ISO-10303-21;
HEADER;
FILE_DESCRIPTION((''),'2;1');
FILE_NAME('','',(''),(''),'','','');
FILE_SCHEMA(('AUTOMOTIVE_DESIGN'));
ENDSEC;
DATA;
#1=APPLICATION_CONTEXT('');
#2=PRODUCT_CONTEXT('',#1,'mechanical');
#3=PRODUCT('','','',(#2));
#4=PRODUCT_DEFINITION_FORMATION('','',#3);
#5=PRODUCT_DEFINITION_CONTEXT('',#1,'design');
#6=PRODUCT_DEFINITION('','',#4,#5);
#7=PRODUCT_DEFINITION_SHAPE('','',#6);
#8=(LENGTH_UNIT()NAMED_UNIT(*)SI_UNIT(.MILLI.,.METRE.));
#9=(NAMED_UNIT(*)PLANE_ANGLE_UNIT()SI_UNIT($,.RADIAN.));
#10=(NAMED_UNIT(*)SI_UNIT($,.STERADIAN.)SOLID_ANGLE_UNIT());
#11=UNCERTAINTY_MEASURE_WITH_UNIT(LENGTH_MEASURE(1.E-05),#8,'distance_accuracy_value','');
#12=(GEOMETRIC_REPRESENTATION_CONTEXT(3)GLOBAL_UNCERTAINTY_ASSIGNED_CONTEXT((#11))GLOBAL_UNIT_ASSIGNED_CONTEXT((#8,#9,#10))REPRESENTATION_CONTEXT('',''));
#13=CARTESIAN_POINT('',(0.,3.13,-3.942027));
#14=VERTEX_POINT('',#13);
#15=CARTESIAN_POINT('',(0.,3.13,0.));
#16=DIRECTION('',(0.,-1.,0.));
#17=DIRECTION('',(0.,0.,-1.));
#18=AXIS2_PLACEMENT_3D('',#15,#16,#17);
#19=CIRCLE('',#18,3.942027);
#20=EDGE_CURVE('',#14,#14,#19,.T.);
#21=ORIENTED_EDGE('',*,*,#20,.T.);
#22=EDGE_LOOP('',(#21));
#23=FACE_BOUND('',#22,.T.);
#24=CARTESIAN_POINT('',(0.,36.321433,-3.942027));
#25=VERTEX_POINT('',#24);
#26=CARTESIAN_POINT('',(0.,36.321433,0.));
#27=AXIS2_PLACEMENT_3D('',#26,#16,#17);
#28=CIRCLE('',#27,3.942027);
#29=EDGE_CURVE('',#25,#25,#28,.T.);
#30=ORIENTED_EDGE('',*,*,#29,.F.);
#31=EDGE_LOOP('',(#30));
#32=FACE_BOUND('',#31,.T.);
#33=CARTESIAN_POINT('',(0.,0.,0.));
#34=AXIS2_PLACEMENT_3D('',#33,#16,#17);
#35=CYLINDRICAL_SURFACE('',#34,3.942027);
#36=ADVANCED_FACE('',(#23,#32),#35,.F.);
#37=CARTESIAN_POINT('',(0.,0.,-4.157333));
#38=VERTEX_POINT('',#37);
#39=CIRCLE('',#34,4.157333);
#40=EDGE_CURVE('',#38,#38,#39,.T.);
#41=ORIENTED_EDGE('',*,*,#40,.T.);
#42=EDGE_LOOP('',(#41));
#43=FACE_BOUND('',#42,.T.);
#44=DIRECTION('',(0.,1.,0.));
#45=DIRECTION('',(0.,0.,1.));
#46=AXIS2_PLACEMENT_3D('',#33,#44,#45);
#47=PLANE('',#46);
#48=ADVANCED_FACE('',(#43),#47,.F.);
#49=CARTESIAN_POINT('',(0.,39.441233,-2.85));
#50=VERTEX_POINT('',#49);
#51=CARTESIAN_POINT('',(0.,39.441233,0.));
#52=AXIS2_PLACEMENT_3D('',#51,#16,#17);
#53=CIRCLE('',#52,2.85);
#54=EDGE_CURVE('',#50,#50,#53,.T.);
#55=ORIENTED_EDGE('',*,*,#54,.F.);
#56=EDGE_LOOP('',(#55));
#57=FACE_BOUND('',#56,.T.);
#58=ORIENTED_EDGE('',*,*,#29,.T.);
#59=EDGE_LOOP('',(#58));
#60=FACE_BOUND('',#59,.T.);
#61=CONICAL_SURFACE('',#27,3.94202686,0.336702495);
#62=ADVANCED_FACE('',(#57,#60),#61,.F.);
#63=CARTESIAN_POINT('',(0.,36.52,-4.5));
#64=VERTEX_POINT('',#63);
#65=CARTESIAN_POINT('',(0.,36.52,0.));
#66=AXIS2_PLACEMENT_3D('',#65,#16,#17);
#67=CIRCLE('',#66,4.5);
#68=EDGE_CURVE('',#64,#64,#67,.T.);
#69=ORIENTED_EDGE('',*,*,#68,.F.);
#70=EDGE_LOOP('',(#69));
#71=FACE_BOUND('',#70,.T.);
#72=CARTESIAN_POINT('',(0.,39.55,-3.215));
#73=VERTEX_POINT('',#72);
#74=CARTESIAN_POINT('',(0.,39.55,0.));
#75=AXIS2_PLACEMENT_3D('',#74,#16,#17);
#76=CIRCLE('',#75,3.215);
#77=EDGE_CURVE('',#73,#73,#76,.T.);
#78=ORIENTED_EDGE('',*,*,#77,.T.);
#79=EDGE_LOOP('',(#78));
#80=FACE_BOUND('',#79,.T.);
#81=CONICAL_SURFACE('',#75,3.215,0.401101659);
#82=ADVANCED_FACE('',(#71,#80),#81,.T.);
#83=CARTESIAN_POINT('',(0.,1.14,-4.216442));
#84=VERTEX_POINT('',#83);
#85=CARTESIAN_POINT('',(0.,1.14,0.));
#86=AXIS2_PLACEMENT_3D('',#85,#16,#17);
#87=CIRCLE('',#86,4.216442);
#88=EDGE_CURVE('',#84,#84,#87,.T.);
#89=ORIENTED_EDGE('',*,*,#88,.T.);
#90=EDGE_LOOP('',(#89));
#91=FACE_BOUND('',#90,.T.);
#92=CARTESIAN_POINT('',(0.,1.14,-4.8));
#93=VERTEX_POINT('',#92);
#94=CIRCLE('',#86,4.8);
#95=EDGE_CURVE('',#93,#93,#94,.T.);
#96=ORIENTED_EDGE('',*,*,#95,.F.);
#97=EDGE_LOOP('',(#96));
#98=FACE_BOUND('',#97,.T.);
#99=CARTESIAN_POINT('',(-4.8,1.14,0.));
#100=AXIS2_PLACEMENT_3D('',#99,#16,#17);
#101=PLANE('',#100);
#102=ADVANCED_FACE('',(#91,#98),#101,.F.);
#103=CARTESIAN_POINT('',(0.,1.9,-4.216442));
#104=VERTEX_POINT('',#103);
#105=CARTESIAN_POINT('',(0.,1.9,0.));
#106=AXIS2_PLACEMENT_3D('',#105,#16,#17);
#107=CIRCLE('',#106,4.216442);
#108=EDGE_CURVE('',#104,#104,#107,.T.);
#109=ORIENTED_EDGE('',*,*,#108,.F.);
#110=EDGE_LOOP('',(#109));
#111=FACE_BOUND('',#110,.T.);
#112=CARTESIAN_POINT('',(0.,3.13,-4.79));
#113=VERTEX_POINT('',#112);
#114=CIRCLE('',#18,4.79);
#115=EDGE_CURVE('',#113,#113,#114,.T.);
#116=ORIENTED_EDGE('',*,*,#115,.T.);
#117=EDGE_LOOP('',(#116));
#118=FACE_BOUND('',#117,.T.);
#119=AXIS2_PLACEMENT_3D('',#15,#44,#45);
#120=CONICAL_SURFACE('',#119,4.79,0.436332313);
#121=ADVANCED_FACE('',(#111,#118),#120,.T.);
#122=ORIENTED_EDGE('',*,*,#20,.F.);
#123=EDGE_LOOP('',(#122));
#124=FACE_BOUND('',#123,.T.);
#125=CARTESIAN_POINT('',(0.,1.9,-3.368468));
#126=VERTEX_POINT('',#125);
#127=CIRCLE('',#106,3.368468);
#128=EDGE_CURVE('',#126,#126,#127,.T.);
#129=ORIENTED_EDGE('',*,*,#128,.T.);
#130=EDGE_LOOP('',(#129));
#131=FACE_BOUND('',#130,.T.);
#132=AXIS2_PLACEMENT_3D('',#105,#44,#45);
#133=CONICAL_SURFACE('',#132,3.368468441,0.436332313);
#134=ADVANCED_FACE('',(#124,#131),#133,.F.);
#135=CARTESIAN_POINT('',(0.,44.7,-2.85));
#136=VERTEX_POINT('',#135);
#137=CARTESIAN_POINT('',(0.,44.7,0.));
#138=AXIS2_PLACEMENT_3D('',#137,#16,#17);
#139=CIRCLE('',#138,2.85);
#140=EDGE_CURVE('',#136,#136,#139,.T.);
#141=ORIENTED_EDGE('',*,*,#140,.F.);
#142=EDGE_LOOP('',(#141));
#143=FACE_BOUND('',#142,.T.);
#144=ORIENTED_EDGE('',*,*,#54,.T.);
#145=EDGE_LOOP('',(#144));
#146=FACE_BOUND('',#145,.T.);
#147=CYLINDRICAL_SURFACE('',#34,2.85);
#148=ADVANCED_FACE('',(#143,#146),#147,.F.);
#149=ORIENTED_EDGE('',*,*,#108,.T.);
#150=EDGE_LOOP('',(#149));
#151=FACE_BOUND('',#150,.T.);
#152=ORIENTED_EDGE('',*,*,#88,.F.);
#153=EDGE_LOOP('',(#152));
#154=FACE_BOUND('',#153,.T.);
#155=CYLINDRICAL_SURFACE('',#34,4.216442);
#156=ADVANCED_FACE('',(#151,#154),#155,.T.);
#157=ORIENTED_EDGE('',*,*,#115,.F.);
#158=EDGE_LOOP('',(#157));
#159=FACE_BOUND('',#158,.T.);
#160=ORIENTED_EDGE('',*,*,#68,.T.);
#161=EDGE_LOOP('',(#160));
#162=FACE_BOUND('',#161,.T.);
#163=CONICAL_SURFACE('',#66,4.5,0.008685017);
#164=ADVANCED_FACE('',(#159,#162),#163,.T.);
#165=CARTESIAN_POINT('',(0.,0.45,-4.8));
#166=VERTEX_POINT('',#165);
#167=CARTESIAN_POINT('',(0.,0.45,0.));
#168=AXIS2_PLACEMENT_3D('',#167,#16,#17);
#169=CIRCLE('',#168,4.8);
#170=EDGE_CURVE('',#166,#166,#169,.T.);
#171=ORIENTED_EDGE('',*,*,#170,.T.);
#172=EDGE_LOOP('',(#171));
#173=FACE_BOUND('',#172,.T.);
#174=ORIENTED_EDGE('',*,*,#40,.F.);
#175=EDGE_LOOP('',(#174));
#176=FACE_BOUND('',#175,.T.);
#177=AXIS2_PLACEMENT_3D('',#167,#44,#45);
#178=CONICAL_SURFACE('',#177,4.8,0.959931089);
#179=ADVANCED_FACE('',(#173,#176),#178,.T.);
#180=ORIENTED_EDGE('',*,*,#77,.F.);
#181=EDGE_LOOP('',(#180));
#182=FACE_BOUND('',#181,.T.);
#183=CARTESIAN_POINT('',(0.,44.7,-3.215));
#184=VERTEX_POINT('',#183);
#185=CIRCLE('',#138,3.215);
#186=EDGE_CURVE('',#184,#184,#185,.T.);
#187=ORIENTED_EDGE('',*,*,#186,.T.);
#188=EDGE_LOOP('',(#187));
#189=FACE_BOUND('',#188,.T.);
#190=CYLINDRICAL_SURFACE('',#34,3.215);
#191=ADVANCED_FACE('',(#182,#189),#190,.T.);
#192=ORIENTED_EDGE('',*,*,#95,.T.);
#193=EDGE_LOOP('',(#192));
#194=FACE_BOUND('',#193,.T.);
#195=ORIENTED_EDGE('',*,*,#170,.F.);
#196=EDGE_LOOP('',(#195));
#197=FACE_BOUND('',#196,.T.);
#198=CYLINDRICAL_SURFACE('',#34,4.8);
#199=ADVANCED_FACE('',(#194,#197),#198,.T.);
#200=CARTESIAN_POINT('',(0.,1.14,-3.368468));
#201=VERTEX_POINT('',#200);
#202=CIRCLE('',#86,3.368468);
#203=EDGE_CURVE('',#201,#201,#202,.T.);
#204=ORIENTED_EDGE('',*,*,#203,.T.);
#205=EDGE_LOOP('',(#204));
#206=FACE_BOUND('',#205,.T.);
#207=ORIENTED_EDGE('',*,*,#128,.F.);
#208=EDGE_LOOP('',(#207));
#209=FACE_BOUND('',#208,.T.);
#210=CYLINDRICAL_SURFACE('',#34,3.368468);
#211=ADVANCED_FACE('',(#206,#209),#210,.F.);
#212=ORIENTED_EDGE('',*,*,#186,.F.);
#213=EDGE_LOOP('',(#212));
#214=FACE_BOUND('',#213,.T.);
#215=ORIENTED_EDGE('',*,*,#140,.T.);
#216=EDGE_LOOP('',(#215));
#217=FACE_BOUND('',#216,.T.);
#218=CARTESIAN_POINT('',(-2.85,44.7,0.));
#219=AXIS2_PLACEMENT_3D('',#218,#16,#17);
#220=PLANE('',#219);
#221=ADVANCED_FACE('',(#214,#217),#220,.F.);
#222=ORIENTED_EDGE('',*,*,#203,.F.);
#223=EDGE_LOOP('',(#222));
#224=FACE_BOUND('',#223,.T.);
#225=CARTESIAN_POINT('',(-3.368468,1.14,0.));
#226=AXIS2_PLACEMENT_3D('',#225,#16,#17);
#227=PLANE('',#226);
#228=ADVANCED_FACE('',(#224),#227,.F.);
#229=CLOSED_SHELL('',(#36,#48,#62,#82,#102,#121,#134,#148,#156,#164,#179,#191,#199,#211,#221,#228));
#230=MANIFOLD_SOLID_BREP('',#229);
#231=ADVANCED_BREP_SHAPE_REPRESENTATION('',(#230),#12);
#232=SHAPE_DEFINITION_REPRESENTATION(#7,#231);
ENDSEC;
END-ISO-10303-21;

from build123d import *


with BuildPart() as part:
    # Esquisse1 → Révolution1 (revolve)
    with BuildSketch(Plane.XY):
        Polygon((-2.85, 39.441233286), (-2.85, 44.7), (-3.215, 44.7), (-3.215, 39.55), (-4.5, 36.52), (-4.79, 3.13), (-4.21644158, 1.9), (-4.21644158, 1.14), (-4.8, 1.14), (-4.8, 0.45), (-4.157333397, 0), (0, 0), (0, 1.14), (-3.368468441, 1.14), (-3.368468441, 1.9), (-3.94202686, 3.13), (-3.94202686, 36.321433458), align=None)
    revolve(axis=Axis((0, 0, 0), (0, 1, 0)))


solid = part.part
